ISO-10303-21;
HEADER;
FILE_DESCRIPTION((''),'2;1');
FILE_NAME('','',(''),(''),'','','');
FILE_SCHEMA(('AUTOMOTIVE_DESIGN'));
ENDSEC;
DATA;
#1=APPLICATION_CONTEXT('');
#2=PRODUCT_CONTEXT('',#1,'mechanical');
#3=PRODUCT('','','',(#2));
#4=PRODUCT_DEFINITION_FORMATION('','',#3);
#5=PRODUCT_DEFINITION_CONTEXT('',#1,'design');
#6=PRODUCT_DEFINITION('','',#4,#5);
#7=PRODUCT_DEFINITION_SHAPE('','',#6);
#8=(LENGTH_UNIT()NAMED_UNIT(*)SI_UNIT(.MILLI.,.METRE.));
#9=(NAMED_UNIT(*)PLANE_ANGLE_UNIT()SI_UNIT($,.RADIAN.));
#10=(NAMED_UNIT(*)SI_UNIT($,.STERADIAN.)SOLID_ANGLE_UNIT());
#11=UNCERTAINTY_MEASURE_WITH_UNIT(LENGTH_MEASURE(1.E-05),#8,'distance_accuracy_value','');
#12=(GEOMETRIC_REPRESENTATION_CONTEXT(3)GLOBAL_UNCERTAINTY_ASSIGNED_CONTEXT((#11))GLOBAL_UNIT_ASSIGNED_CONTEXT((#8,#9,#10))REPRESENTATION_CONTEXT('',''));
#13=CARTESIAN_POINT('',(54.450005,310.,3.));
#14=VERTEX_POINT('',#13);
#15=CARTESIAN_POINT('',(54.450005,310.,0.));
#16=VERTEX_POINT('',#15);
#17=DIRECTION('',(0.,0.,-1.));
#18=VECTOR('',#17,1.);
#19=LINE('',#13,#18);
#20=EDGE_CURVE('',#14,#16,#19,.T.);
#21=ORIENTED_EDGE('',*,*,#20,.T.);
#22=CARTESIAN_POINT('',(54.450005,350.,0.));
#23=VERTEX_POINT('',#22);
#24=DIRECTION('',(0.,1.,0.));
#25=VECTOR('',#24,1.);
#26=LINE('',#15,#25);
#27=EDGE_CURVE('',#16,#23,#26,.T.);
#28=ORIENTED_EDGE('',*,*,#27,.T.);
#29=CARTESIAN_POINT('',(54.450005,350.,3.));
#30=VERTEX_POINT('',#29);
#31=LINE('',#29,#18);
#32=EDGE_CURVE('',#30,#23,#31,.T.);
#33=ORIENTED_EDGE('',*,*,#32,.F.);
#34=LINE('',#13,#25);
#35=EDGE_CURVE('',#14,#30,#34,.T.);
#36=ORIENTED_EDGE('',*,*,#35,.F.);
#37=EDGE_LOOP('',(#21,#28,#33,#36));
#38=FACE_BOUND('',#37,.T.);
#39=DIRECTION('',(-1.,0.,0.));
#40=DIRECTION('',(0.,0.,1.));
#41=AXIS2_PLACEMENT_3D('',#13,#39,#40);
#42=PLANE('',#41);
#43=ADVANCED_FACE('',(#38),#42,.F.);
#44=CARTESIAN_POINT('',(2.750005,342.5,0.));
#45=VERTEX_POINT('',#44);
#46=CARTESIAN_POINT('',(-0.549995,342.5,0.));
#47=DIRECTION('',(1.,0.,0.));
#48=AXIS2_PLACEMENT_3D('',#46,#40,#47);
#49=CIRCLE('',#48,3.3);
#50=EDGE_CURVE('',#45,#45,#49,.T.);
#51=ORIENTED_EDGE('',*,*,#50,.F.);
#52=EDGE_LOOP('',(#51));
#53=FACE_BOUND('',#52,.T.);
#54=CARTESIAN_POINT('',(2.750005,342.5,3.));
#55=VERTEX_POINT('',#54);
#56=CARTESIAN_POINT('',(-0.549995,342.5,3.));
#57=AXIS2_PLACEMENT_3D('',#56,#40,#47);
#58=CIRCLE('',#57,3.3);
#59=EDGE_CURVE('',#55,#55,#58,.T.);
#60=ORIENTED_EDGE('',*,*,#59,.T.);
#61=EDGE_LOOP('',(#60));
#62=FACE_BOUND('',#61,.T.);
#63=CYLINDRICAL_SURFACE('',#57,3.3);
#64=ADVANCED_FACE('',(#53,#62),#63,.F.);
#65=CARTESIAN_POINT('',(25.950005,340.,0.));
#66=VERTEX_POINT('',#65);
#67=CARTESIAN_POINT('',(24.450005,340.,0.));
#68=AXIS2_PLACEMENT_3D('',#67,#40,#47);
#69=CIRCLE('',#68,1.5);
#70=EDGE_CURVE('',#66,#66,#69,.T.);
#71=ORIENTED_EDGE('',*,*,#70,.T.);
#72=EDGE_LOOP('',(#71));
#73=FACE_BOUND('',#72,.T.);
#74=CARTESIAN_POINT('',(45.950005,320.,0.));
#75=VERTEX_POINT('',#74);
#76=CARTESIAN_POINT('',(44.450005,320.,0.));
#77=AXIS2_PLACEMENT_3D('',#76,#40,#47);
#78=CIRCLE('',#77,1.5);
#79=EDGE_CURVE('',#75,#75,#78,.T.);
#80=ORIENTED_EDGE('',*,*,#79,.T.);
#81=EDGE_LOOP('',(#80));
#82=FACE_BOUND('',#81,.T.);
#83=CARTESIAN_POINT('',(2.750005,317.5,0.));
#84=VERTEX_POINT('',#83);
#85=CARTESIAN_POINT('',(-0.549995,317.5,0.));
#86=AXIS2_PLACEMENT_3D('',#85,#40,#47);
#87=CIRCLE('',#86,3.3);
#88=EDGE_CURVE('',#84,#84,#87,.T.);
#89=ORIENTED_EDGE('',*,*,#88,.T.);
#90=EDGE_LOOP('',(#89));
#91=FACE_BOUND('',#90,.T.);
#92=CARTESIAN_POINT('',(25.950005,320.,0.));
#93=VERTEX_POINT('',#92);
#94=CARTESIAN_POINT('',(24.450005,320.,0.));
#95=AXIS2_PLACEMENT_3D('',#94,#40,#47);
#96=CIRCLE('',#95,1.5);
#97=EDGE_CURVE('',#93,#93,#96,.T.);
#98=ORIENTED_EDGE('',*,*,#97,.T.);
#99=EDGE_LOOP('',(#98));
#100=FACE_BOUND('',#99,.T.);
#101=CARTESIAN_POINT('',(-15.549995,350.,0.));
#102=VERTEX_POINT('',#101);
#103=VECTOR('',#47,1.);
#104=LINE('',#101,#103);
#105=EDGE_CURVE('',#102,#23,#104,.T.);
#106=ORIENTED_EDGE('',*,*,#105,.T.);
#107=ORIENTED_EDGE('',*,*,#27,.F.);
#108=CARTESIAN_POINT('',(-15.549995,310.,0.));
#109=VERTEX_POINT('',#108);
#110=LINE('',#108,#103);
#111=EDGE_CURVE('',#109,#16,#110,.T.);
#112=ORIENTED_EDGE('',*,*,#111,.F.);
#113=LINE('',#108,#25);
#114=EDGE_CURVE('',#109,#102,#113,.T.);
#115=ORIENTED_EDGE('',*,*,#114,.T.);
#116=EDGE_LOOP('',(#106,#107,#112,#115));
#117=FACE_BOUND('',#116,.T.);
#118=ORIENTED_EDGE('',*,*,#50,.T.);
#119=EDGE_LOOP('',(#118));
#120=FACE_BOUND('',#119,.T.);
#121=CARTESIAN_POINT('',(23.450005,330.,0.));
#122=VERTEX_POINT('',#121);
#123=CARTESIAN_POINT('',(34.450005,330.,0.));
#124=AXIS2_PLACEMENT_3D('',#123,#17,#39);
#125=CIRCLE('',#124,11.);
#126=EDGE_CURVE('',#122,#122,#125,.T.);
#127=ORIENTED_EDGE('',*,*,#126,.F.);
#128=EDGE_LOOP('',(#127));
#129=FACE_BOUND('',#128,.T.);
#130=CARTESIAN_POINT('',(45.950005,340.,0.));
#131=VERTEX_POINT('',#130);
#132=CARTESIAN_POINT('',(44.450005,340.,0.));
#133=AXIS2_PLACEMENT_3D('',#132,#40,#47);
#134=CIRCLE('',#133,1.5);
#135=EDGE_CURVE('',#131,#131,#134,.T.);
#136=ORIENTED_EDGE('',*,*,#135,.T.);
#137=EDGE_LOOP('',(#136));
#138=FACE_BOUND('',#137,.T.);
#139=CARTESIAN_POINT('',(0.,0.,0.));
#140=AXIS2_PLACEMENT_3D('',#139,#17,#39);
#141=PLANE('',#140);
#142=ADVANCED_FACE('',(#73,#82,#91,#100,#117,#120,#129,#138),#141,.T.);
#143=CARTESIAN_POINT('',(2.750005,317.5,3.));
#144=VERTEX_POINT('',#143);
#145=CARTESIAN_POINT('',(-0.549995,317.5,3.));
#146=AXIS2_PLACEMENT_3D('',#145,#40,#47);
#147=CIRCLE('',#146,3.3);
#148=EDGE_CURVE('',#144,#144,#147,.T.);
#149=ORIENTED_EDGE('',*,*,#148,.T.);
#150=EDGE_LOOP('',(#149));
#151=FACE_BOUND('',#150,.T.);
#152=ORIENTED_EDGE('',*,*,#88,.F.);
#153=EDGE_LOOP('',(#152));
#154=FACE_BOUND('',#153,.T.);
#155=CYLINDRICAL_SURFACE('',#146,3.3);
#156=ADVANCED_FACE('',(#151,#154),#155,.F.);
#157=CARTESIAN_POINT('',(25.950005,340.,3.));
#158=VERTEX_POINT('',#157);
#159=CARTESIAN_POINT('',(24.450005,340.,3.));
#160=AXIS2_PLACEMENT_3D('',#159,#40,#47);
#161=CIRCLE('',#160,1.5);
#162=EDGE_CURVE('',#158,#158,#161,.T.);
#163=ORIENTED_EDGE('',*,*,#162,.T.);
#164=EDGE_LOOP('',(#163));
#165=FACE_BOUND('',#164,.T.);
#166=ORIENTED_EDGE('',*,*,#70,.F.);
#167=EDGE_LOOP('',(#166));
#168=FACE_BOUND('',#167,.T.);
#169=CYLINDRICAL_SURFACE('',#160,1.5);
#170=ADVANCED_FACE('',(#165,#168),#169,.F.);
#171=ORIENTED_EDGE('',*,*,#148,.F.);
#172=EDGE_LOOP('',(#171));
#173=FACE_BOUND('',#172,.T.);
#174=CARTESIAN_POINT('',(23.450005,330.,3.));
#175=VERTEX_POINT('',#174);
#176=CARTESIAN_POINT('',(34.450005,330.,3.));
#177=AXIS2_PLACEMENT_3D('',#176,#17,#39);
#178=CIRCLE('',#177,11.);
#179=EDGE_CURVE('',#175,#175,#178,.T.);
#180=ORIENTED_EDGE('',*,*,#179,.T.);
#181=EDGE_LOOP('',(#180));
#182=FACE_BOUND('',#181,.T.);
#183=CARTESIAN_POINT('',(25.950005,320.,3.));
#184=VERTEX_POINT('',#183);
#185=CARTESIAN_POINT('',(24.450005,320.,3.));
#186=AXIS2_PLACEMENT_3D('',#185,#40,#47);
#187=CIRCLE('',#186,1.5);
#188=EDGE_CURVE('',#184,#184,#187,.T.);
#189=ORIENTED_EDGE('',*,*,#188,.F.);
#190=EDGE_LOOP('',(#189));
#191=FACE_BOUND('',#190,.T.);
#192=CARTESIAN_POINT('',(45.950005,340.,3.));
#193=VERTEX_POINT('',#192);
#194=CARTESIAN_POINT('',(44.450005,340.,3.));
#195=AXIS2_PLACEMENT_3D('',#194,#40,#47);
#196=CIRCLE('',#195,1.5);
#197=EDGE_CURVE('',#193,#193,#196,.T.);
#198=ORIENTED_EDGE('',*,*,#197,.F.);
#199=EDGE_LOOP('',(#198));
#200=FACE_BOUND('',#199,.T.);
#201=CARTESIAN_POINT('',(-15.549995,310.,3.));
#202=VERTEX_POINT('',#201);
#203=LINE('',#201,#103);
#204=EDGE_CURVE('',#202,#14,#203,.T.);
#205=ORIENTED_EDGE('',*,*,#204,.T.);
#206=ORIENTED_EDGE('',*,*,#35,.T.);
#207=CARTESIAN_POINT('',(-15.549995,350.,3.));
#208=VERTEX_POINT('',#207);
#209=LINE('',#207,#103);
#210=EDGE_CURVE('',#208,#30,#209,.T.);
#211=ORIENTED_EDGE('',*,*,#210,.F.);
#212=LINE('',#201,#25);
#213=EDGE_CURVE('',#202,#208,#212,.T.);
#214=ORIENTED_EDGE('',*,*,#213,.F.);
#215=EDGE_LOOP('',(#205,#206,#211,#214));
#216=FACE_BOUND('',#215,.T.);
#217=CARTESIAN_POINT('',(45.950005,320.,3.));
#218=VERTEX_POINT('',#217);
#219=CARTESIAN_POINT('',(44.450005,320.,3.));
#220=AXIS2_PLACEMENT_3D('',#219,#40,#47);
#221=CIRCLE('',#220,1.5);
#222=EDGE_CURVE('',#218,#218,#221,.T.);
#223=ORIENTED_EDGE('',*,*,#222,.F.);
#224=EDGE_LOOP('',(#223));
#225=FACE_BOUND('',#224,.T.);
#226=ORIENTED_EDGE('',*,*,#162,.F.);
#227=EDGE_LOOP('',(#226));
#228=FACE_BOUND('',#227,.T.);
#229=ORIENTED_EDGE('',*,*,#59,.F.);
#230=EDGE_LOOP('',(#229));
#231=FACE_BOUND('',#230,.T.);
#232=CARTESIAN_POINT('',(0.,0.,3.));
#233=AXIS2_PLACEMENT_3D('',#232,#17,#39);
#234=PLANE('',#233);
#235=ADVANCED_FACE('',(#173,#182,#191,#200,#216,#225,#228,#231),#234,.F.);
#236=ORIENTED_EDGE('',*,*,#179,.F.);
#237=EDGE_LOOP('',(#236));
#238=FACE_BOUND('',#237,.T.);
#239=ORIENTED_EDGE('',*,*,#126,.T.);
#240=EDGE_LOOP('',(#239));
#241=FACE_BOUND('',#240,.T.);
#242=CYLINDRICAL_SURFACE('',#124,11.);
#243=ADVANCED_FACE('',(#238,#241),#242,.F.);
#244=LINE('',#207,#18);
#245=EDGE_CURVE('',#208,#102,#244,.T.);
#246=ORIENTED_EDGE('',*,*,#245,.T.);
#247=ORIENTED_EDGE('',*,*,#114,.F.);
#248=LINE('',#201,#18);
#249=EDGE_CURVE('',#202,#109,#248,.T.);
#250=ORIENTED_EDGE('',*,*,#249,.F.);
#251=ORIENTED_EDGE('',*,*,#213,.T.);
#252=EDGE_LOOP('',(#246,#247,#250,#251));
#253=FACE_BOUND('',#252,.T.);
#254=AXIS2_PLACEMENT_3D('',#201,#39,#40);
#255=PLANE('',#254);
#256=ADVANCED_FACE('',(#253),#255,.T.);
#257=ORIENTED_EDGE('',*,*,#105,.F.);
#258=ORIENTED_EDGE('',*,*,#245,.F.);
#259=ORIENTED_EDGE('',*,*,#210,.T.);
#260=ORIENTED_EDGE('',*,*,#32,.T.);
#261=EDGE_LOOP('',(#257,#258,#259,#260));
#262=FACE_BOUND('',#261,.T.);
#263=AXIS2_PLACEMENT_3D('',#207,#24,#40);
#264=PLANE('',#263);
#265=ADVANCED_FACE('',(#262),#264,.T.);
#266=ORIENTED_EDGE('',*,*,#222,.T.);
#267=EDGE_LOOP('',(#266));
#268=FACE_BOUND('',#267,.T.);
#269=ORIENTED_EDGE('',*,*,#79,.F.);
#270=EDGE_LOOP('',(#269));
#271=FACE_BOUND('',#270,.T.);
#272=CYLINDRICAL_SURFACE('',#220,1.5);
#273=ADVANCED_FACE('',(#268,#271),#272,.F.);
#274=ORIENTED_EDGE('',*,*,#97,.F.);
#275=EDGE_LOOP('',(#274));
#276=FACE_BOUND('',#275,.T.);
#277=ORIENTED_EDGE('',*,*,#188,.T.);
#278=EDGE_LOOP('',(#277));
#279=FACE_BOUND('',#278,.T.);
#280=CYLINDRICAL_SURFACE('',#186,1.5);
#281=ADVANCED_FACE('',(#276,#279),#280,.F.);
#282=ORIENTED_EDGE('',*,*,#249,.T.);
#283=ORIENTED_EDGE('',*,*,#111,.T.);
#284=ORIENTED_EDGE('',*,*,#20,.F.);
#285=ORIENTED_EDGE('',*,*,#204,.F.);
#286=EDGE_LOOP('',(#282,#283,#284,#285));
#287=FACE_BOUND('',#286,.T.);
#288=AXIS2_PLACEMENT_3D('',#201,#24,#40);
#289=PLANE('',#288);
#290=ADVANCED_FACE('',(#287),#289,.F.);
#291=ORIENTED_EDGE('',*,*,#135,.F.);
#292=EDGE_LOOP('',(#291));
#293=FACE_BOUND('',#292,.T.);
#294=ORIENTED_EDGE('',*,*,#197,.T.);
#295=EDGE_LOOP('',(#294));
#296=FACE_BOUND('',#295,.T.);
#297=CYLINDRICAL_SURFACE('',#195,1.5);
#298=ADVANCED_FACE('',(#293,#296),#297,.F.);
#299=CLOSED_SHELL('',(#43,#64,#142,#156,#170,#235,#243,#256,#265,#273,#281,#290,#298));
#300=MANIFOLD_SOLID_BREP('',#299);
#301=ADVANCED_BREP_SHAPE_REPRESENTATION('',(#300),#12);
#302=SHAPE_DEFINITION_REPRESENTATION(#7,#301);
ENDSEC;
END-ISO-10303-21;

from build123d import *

# Parameters (mm, degrees)
SKIZZE1_W                        = 70
SKIZZE1_H                        = 40
AUFSATZ_LINEAR_AUSTRAGEN1_DEPTH  = 3
F_3_0_3_DURCHMESSER_BOHRUNG2_D   = 3
DURCHGANGSLOCH_F_R_M61_D         = 6.6
F_22_0_22_DURCHMESSER_BOHRUNG1_D = 22


with BuildPart() as part:
    # Skizze1 → Aufsatz-Linear austragen1 (new body)
    with BuildSketch(Plane.XY):
        with Locations((19.450005134, 330)):
            Rectangle(SKIZZE1_W, SKIZZE1_H)
    extrude(amount=AUFSATZ_LINEAR_AUSTRAGEN1_DEPTH)

    # Ø3.0 (3) Durchmesser Bohrung2 (through all)
    with Locations(Plane.XY.offset(3)):
        with Locations((24.450005134, 340), (44.450005134, 340), (44.450005134, 320), (24.450005134, 320)):
            Hole(F_3_0_3_DURCHMESSER_BOHRUNG2_D / 2)

    # Durchgangsloch für M61 (through all)
    with Locations(Plane.XY.offset(3)):
        with Locations((-0.549994866, 342.5), (-0.549994866, 317.5)):
            Hole(DURCHGANGSLOCH_F_R_M61_D / 2)

    # Ø22.0 (22) Durchmesser Bohrung1 (through all)
    with Locations(Plane(origin=(0, 0, 0), x_dir=(-1, 0, 0), z_dir=(0, 0, -1))):
        with Locations((-34.450005134, 330)):
            Hole(F_22_0_22_DURCHMESSER_BOHRUNG1_D / 2)


solid = part.part
